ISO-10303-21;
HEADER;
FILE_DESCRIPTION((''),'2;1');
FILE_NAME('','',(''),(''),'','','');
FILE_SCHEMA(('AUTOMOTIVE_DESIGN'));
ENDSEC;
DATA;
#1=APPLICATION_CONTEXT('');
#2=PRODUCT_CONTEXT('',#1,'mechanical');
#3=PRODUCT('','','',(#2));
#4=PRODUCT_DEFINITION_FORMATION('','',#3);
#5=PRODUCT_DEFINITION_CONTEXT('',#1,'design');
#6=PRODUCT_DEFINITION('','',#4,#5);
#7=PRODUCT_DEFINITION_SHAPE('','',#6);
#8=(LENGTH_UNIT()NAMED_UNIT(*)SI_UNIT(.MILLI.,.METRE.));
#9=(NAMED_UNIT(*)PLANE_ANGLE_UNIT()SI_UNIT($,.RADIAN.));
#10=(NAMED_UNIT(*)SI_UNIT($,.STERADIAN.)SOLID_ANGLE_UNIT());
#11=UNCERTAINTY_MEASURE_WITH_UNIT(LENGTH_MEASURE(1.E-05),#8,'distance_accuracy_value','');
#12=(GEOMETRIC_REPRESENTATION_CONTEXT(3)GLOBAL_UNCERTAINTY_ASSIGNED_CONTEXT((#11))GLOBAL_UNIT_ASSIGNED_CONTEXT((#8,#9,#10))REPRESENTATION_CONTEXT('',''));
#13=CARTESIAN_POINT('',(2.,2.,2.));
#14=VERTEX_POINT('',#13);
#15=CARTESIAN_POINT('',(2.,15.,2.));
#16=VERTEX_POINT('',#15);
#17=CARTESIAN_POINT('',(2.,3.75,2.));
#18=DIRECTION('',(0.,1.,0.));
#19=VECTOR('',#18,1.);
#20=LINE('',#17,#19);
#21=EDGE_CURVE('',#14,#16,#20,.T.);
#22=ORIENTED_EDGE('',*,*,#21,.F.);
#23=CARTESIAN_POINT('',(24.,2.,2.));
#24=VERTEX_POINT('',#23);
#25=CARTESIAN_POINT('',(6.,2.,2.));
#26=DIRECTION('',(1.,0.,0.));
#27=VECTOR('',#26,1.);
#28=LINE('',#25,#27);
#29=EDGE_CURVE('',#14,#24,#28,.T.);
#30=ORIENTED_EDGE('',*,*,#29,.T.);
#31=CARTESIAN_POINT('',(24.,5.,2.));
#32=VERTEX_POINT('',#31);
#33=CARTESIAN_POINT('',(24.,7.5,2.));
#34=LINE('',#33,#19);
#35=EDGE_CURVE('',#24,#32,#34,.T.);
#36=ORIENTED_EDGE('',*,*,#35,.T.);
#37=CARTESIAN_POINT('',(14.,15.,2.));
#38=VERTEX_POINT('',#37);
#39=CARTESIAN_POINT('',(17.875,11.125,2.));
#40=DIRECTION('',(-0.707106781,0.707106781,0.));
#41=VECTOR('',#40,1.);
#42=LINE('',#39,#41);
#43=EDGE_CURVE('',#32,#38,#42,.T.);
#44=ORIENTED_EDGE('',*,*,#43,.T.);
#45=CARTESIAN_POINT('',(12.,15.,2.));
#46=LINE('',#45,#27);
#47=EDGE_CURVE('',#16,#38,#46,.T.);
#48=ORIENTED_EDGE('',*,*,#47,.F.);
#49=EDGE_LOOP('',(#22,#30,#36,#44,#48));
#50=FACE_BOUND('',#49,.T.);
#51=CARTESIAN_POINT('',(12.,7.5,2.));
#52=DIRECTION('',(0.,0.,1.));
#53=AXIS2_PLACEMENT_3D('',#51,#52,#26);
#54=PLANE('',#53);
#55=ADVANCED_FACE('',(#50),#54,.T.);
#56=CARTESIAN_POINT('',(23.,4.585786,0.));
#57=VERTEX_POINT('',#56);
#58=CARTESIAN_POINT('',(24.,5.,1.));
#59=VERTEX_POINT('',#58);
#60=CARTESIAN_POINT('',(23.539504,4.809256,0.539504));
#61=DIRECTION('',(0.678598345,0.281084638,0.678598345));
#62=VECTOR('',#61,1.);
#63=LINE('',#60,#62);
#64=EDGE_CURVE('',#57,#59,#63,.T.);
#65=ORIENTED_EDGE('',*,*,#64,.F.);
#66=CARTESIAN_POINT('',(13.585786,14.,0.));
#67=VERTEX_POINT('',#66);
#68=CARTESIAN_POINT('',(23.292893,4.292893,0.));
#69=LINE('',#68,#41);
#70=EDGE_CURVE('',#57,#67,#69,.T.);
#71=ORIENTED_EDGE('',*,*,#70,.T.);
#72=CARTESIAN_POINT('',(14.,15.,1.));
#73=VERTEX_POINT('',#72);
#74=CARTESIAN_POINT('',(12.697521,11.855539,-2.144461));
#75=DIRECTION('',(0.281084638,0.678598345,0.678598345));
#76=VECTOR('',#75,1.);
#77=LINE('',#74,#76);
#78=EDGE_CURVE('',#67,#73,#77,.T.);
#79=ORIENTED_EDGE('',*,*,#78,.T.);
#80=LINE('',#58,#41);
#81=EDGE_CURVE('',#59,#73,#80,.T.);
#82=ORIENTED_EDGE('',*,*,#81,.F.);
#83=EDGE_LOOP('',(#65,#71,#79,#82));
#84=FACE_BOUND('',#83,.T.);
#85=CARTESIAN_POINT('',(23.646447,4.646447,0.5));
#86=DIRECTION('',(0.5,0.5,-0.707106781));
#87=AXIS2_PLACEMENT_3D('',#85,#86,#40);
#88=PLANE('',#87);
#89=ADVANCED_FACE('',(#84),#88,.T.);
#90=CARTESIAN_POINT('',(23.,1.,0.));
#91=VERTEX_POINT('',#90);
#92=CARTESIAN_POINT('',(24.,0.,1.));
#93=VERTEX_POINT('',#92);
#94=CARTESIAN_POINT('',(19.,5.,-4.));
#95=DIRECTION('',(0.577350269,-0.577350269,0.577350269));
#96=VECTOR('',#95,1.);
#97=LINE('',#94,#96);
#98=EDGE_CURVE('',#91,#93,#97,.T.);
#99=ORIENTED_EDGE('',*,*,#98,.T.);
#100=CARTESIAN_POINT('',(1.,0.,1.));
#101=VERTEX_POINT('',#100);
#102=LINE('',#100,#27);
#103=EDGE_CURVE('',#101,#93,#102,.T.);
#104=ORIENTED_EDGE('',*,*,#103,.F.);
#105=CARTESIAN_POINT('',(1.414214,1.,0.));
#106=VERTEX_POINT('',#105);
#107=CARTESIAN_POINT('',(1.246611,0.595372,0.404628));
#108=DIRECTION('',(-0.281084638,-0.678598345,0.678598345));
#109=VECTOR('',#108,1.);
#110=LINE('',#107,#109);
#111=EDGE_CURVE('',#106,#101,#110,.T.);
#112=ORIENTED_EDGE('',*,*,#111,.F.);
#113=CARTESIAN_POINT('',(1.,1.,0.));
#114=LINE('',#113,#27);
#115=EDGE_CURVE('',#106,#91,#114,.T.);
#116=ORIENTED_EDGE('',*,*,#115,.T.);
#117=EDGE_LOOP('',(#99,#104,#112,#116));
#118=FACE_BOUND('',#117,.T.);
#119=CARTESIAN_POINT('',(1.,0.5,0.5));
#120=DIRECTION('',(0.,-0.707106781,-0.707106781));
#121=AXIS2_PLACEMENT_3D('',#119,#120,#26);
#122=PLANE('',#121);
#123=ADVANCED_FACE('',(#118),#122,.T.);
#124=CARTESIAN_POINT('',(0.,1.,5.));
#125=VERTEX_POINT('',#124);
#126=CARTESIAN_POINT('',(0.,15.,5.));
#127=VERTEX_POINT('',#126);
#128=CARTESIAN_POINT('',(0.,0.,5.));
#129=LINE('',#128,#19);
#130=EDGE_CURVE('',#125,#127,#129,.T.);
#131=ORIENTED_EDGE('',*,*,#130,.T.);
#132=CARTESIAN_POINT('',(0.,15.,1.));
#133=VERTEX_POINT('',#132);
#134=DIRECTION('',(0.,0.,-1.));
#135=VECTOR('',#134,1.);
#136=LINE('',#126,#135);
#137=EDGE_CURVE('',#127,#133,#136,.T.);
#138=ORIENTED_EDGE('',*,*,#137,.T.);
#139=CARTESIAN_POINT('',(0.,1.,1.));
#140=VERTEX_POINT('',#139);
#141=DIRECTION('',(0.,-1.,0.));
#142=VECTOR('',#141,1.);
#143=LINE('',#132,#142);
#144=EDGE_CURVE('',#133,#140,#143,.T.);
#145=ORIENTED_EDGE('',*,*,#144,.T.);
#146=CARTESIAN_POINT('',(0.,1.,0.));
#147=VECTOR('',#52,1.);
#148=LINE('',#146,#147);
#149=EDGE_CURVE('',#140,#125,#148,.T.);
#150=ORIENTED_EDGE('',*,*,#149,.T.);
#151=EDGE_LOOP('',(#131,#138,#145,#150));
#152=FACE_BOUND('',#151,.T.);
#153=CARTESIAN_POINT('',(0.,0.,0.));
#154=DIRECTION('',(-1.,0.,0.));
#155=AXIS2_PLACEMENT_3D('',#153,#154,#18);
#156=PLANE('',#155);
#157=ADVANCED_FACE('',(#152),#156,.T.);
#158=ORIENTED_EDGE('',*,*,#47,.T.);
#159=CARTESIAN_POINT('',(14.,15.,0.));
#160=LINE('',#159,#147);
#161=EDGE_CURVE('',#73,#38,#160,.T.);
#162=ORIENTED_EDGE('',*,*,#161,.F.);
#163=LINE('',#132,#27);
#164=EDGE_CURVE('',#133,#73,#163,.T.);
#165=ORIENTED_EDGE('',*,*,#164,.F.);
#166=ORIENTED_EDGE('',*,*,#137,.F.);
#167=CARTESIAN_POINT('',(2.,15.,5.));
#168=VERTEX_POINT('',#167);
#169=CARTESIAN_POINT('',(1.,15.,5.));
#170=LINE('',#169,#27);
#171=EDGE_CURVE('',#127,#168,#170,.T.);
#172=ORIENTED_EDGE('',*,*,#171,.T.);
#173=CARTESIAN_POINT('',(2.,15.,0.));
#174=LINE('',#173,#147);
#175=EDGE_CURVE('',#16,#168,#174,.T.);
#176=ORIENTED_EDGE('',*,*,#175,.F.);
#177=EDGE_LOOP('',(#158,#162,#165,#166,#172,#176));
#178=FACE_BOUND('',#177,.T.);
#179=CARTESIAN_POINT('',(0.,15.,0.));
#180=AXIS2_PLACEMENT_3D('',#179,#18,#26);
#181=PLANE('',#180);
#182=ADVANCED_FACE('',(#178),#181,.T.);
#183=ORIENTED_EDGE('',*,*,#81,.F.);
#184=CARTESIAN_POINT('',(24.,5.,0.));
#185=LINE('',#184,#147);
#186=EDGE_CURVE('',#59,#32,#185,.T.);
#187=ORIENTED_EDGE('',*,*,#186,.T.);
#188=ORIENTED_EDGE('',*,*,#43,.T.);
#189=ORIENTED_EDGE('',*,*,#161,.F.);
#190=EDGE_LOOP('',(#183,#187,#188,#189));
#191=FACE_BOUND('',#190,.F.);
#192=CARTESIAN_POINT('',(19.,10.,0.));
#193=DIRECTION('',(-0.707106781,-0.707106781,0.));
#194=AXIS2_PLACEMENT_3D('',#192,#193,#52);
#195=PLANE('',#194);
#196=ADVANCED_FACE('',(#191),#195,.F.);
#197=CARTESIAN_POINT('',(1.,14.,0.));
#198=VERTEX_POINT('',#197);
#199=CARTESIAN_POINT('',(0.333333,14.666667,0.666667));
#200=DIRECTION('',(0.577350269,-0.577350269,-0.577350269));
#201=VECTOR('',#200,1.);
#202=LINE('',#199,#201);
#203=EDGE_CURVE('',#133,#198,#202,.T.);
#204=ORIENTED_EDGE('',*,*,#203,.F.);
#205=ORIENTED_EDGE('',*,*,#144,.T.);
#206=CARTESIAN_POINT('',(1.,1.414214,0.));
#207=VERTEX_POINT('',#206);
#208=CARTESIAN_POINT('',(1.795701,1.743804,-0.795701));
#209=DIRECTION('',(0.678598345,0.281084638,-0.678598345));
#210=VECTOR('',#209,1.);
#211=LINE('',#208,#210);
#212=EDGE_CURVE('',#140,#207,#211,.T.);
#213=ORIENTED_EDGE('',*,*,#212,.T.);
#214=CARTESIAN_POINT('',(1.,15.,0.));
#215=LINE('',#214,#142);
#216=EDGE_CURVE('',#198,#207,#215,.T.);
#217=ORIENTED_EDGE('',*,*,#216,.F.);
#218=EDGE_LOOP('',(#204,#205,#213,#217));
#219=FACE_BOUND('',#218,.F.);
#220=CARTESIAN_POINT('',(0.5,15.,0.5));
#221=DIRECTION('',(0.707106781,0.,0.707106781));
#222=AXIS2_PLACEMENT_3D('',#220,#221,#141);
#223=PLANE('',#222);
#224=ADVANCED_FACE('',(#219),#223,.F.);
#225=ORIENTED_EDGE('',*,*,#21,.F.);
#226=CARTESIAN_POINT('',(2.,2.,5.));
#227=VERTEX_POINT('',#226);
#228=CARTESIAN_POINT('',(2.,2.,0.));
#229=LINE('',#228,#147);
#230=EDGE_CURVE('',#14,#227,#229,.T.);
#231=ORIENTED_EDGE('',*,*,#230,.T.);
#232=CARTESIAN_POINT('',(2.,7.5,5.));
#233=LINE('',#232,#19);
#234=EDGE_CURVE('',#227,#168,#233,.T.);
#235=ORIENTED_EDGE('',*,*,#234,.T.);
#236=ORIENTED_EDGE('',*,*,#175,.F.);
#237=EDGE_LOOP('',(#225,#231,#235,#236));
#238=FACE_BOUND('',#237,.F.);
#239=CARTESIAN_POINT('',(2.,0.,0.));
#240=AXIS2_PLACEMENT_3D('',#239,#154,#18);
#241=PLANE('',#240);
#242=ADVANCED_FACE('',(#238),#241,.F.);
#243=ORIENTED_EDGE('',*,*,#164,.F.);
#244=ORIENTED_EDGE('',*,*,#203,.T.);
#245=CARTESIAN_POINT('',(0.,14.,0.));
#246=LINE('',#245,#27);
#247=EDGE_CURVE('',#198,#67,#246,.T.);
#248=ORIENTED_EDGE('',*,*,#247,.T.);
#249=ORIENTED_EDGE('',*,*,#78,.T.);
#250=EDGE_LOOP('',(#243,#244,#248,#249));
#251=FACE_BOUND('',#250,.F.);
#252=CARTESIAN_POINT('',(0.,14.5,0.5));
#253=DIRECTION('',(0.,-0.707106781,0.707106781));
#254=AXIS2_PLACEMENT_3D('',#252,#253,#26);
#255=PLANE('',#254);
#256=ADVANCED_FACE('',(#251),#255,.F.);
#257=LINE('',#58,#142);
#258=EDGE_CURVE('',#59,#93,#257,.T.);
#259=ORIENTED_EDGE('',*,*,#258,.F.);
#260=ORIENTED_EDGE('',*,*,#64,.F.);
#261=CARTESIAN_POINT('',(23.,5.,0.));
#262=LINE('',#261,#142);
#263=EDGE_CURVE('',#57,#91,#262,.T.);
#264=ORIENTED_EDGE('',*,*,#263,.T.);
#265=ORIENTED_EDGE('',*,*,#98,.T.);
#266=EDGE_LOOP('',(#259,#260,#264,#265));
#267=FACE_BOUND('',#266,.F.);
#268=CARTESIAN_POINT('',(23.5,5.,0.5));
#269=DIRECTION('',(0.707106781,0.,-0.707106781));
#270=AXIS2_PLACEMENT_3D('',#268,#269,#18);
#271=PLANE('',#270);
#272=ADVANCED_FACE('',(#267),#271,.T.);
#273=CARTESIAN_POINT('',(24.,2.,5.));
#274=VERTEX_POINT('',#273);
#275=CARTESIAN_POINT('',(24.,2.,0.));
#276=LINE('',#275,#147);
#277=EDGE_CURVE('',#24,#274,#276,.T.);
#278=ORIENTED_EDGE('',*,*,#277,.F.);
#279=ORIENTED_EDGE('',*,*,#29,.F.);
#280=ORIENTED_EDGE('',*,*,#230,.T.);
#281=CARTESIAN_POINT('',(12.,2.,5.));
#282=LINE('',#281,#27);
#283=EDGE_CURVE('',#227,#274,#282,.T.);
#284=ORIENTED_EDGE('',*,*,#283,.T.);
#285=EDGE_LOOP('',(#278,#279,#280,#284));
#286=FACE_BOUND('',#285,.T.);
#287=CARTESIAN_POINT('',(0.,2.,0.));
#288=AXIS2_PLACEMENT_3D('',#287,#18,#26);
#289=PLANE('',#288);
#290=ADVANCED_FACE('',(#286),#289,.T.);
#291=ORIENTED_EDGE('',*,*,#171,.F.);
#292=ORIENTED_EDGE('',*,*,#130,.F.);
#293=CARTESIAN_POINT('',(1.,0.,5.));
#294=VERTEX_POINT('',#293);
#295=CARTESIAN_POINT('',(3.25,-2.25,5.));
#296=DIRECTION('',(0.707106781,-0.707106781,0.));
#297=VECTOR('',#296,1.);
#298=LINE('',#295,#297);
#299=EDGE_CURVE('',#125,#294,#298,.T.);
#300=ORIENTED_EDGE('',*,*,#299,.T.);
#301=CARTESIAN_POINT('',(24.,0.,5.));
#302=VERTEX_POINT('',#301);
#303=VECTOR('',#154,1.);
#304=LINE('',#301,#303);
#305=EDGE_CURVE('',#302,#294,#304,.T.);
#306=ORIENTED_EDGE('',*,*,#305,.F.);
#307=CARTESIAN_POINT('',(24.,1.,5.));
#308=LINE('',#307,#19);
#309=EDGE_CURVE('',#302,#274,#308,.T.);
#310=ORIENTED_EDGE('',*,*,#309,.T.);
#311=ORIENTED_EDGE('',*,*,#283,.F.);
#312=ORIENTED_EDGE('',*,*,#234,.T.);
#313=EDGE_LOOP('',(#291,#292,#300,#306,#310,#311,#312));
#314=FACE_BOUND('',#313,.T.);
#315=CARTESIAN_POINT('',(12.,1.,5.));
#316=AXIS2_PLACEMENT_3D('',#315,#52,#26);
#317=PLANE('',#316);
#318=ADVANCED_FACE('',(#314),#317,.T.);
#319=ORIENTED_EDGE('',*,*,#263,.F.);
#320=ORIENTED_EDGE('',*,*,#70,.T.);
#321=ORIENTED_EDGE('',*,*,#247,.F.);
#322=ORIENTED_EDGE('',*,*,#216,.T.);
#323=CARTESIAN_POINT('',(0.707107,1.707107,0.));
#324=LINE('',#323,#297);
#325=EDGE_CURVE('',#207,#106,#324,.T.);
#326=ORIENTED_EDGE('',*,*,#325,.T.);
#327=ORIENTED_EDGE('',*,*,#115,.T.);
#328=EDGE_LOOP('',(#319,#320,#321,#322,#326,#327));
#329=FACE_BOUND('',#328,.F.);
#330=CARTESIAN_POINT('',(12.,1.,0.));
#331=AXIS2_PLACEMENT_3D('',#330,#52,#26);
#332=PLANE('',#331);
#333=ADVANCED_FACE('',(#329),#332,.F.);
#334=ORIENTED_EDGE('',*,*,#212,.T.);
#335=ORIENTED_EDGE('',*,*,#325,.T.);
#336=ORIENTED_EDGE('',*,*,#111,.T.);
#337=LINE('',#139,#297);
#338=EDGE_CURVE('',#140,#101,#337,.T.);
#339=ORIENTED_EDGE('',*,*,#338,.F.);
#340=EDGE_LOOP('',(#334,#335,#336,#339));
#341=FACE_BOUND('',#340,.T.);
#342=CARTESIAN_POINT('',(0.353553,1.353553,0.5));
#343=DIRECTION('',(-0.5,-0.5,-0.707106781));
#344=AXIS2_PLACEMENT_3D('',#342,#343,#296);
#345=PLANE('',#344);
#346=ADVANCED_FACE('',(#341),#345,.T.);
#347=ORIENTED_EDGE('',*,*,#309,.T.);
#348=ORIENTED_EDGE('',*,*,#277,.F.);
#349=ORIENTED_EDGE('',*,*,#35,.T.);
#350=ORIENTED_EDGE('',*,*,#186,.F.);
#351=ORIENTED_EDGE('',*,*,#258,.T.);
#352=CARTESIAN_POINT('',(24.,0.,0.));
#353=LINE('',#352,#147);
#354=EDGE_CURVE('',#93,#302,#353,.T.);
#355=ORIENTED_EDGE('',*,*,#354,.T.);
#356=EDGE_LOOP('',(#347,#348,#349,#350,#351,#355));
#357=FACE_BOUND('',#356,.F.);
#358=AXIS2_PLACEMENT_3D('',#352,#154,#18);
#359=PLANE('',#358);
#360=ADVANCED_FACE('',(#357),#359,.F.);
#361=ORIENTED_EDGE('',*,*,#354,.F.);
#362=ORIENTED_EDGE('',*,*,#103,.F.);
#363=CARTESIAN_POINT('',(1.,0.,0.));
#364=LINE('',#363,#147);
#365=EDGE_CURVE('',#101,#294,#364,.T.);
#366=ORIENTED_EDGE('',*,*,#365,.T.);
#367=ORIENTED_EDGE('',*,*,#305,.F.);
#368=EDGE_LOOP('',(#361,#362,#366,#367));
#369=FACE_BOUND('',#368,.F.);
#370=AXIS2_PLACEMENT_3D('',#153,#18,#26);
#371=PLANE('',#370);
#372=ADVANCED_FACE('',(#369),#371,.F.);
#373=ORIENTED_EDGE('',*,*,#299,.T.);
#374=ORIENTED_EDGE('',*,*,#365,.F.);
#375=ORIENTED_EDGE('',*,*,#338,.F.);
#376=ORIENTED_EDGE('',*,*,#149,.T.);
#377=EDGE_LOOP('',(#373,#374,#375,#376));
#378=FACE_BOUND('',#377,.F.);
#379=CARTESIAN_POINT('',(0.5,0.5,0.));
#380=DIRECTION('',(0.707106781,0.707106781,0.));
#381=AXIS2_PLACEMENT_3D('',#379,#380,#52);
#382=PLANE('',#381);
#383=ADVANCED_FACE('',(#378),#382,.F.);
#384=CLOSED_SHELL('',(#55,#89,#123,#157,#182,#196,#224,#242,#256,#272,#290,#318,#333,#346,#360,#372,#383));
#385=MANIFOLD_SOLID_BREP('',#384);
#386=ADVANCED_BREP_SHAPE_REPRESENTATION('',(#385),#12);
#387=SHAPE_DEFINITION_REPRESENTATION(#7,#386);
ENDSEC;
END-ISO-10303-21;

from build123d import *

# Parameters (mm, degrees)
BOX005_W        = 2
BOX005_H        = 15
BOX005_DEPTH    = 5
BOX004_W        = 24
BOX004_H        = 15
BOX004_DEPTH    = 2
CHAMFER002_SIZE = 10
BOX006_W        = 24
BOX006_H        = 2
BOX006_DEPTH    = 5
CHAMFER003_SIZE = 1
CHAMFER004_SIZE = 1


with BuildPart() as cube005:
    # Box005 → Box005 (new body)
    with BuildSketch(Plane.XY):
        with Locations((1, 7.5)):
            Rectangle(BOX005_W, BOX005_H)
    extrude(amount=BOX005_DEPTH)


with BuildPart() as chamfer002:
    # Box004 → Box004 (new body)
    with BuildSketch(Plane.XY):
        with Locations((12, 7.5)):
            Rectangle(BOX004_W, BOX004_H)
    extrude(amount=BOX004_DEPTH)

    # Chamfer002
    chamfer002_edges = [chamfer002.edges().sort_by_distance(p)[0] for p in [
        (24, 15, 1),
    ]]
    chamfer(chamfer002_edges, length=CHAMFER002_SIZE)


with BuildPart() as chamfer004:
    # Box006 → Box006 (new body)
    with BuildSketch(Plane.XY):
        with Locations((12, 1)):
            Rectangle(BOX006_W, BOX006_H)
    extrude(amount=BOX006_DEPTH)

    # Fusion001002002003: union Cube005, Chamfer002
    add(cube005.part)
    add(chamfer002.part)

    # Chamfer003
    chamfer003_edges = [chamfer004.edges().sort_by_distance(p)[0] for p in [
        (0, 0, 2.5),
    ]]
    chamfer(chamfer003_edges, length=CHAMFER003_SIZE)

    # Chamfer004
    chamfer004_edges = [chamfer004.edges().sort_by_distance(p)[0] for p in [
        (0, 8, 0),
        (0.5, 0.5, 0),
        (7, 15, 0),
        (12.5, 0, 0),
        (24, 2.5, 0),
        (19, 10, 0),
    ]]
    chamfer(chamfer004_edges, length=CHAMFER004_SIZE)


solid = chamfer004.part
